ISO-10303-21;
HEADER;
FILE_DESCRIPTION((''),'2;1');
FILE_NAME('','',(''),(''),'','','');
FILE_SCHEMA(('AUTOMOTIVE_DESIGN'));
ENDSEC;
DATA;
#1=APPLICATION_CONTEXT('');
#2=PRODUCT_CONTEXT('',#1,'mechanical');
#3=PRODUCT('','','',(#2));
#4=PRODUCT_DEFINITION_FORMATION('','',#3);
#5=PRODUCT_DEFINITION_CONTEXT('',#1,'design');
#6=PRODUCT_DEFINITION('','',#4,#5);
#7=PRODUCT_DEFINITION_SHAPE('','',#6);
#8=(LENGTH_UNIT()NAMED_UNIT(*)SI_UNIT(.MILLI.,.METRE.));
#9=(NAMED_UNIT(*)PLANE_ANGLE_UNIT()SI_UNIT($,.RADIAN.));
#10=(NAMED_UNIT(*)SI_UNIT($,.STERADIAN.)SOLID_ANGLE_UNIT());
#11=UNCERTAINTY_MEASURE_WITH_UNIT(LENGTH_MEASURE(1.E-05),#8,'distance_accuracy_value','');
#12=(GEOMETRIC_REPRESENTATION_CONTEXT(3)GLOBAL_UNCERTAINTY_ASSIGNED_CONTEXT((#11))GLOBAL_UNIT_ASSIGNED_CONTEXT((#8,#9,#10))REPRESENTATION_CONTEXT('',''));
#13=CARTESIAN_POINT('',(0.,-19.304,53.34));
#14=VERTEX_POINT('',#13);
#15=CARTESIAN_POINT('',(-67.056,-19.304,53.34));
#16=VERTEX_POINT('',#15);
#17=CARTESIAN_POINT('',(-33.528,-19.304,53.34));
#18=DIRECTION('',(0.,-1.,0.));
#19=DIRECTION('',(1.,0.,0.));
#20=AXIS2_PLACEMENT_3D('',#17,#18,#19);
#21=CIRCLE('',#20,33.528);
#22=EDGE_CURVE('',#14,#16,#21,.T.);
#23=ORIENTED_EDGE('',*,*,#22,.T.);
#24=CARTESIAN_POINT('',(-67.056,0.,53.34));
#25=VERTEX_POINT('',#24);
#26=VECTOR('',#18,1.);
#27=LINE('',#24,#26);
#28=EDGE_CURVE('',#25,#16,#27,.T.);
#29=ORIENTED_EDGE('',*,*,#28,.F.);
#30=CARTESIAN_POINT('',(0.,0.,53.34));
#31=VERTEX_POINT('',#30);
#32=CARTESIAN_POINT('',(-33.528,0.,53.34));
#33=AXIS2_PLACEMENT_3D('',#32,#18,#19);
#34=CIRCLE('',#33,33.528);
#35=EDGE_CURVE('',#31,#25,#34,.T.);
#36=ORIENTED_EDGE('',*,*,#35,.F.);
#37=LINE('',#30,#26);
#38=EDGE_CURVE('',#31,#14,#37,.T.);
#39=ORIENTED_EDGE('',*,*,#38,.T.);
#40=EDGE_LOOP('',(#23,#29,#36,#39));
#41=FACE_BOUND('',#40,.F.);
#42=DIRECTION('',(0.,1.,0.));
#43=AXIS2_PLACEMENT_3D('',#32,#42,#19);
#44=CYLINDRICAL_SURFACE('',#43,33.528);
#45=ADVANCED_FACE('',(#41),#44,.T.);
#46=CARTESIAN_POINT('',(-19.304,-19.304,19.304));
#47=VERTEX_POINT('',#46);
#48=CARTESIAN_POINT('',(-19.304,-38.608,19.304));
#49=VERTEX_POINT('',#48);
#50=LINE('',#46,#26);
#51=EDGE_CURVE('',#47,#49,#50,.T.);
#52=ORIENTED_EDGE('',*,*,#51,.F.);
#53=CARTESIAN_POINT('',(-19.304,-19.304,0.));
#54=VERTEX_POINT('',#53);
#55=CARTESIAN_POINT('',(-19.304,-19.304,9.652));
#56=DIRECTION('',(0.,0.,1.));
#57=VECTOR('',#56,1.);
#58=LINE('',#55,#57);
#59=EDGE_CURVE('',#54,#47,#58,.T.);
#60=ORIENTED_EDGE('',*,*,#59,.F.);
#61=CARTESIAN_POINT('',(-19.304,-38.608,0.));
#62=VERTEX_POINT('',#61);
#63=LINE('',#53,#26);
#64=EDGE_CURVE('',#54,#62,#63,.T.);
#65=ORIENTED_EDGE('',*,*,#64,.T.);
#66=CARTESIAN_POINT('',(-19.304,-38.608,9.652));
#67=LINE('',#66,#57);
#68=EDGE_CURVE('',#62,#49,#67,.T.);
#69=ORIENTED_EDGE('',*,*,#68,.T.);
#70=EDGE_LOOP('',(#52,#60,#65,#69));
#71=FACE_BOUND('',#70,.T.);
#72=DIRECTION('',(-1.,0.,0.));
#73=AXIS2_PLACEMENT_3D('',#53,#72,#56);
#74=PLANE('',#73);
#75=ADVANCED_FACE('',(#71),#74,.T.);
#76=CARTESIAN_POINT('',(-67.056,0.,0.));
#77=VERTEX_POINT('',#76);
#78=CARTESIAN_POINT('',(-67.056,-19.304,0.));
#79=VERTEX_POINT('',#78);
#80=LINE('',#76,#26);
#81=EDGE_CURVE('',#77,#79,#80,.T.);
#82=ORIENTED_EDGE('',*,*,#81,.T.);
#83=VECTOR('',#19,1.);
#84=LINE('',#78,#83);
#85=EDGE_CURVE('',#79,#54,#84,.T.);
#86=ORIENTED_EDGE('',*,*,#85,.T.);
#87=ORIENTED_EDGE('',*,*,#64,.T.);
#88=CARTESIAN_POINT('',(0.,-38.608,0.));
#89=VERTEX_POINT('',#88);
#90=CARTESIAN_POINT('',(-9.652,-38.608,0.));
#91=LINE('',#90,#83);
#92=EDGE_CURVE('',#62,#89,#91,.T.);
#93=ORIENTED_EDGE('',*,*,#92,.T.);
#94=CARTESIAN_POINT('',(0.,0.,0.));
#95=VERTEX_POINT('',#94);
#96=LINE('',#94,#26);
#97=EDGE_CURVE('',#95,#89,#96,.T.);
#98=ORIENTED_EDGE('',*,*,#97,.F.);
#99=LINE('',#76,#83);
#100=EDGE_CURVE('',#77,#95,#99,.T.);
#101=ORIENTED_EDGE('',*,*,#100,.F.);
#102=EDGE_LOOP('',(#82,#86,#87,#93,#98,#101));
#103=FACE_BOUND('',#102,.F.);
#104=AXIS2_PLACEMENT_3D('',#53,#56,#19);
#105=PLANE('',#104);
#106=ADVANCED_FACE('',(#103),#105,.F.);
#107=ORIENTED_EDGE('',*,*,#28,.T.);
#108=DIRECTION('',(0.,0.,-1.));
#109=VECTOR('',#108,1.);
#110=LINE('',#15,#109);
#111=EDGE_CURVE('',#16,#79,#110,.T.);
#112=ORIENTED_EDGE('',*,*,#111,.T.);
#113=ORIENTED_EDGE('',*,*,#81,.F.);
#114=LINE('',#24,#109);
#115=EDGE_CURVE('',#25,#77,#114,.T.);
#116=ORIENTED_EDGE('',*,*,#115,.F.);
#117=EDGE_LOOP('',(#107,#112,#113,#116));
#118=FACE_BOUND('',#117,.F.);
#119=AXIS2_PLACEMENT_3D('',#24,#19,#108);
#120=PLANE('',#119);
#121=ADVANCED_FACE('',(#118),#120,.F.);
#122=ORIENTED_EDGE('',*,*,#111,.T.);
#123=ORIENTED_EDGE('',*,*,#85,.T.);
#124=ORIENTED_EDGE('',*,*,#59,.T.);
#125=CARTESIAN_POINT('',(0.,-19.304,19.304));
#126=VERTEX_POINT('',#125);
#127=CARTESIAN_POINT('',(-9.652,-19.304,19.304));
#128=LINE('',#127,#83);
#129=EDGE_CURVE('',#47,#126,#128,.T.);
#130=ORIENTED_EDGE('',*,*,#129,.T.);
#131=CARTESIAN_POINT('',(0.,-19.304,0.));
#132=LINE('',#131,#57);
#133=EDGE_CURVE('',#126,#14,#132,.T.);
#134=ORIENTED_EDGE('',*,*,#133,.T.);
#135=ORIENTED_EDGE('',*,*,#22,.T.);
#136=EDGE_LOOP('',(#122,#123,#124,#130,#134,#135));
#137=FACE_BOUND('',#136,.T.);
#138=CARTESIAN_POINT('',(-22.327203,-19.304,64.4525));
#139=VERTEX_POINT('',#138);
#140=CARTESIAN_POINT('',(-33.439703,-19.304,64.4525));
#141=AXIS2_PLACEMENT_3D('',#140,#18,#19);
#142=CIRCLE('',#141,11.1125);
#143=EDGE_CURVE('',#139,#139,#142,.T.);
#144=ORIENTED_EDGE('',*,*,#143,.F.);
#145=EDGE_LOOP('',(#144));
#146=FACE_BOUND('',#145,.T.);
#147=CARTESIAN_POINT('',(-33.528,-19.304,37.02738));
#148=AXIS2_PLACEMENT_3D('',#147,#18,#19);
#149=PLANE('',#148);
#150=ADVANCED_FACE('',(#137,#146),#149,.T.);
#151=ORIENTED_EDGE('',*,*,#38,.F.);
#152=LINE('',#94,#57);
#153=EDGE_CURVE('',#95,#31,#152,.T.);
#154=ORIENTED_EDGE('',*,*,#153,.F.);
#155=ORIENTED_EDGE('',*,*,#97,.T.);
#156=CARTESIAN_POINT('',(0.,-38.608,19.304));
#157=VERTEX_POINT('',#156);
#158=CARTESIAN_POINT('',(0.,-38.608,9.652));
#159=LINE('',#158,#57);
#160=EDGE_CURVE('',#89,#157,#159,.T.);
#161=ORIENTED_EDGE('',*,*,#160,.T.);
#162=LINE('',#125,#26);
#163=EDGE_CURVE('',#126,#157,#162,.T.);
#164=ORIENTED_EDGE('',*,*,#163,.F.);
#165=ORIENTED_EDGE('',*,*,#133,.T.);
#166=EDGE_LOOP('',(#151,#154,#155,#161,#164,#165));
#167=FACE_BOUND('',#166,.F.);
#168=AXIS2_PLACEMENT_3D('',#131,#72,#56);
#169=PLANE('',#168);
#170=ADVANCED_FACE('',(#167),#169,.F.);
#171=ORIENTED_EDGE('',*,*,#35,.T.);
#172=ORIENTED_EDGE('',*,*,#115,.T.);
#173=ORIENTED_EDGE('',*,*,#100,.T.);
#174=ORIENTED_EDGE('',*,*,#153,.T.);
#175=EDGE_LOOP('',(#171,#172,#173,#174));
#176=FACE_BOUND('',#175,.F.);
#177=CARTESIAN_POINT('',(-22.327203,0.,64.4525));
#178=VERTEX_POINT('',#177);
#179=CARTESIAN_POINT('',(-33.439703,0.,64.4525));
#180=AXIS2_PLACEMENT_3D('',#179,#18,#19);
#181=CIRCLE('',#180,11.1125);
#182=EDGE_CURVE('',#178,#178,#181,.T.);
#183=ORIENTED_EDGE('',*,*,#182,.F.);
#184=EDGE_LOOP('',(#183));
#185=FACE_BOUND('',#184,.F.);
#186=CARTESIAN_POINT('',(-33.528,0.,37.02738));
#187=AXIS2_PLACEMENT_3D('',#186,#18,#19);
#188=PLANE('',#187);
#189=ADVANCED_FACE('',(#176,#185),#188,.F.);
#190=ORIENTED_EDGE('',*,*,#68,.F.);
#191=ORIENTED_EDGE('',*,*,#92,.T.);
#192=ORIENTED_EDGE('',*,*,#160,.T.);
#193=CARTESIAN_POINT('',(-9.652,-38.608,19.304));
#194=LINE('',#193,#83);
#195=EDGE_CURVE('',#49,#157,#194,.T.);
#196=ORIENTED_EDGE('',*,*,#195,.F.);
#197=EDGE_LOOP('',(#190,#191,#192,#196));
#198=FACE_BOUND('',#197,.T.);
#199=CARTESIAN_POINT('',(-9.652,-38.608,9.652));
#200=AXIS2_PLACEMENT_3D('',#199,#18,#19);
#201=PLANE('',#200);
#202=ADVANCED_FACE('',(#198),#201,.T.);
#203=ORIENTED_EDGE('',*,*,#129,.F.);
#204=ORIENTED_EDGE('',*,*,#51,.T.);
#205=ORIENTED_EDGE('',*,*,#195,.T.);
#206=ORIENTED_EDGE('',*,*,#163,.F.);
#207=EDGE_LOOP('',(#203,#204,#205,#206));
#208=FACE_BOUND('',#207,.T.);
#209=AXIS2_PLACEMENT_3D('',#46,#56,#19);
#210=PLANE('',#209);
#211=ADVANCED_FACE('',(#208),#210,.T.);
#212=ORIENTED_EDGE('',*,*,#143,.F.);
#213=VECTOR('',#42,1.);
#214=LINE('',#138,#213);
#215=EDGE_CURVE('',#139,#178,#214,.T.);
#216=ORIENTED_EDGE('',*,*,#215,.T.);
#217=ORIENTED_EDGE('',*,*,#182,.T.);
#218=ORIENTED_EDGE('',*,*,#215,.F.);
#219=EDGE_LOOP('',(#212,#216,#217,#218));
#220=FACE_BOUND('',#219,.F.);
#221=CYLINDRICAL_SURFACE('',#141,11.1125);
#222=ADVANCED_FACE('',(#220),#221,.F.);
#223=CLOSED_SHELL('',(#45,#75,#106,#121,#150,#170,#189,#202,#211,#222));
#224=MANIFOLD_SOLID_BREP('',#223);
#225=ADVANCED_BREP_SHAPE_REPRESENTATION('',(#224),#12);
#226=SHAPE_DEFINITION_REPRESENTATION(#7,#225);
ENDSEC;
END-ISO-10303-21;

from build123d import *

# Parameters (mm, degrees)
F1_DEPTH = 19.304
F3_DEPTH = 19.304
F4_R     = 11.1125
F5_DEPTH = 19.304
F6_W     = 19.304
F6_H     = 19.304
F7_DEPTH = 19.304


with BuildPart() as f1:
    # F0 (on Front) → F1 (new body)
    with BuildSketch(Plane.XZ):
        with BuildLine():
            Line((-67.056, 0), (0, 0))
            Line((0, 0), (0, 53.34))
            ThreePointArc((0, 53.34), (-33.528, 86.868), (-67.056, 53.34))
            Line((-67.056, 53.34), (-67.056, 0))
        make_face()
    extrude(amount=F1_DEPTH)

    # F0 (on Front) → F3 (join)
    with BuildSketch(Plane.XZ):
        with BuildLine():
            Line((-67.056, 0), (0, 0))
            Line((0, 0), (0, 53.34))
            ThreePointArc((0, 53.34), (-33.528, 86.868), (-67.056, 53.34))
            Line((-67.056, 53.34), (-67.056, 0))
        make_face()
    extrude(amount=F3_DEPTH)

    # F4 (on face) → F5 (cut)
    with BuildSketch(Plane.XZ.offset(19.304)):
        with Locations((-33.439703, 64.4525)):
            Circle(F4_R)
    extrude(amount=-F5_DEPTH, mode=Mode.SUBTRACT)

    # F6 (on face) → F7 (join)
    with BuildSketch(Plane.XZ.offset(19.304)):
        with Locations((-9.652, 9.652)):
            Rectangle(F6_W, F6_H)
    extrude(amount=F7_DEPTH)


solid = f1.part
